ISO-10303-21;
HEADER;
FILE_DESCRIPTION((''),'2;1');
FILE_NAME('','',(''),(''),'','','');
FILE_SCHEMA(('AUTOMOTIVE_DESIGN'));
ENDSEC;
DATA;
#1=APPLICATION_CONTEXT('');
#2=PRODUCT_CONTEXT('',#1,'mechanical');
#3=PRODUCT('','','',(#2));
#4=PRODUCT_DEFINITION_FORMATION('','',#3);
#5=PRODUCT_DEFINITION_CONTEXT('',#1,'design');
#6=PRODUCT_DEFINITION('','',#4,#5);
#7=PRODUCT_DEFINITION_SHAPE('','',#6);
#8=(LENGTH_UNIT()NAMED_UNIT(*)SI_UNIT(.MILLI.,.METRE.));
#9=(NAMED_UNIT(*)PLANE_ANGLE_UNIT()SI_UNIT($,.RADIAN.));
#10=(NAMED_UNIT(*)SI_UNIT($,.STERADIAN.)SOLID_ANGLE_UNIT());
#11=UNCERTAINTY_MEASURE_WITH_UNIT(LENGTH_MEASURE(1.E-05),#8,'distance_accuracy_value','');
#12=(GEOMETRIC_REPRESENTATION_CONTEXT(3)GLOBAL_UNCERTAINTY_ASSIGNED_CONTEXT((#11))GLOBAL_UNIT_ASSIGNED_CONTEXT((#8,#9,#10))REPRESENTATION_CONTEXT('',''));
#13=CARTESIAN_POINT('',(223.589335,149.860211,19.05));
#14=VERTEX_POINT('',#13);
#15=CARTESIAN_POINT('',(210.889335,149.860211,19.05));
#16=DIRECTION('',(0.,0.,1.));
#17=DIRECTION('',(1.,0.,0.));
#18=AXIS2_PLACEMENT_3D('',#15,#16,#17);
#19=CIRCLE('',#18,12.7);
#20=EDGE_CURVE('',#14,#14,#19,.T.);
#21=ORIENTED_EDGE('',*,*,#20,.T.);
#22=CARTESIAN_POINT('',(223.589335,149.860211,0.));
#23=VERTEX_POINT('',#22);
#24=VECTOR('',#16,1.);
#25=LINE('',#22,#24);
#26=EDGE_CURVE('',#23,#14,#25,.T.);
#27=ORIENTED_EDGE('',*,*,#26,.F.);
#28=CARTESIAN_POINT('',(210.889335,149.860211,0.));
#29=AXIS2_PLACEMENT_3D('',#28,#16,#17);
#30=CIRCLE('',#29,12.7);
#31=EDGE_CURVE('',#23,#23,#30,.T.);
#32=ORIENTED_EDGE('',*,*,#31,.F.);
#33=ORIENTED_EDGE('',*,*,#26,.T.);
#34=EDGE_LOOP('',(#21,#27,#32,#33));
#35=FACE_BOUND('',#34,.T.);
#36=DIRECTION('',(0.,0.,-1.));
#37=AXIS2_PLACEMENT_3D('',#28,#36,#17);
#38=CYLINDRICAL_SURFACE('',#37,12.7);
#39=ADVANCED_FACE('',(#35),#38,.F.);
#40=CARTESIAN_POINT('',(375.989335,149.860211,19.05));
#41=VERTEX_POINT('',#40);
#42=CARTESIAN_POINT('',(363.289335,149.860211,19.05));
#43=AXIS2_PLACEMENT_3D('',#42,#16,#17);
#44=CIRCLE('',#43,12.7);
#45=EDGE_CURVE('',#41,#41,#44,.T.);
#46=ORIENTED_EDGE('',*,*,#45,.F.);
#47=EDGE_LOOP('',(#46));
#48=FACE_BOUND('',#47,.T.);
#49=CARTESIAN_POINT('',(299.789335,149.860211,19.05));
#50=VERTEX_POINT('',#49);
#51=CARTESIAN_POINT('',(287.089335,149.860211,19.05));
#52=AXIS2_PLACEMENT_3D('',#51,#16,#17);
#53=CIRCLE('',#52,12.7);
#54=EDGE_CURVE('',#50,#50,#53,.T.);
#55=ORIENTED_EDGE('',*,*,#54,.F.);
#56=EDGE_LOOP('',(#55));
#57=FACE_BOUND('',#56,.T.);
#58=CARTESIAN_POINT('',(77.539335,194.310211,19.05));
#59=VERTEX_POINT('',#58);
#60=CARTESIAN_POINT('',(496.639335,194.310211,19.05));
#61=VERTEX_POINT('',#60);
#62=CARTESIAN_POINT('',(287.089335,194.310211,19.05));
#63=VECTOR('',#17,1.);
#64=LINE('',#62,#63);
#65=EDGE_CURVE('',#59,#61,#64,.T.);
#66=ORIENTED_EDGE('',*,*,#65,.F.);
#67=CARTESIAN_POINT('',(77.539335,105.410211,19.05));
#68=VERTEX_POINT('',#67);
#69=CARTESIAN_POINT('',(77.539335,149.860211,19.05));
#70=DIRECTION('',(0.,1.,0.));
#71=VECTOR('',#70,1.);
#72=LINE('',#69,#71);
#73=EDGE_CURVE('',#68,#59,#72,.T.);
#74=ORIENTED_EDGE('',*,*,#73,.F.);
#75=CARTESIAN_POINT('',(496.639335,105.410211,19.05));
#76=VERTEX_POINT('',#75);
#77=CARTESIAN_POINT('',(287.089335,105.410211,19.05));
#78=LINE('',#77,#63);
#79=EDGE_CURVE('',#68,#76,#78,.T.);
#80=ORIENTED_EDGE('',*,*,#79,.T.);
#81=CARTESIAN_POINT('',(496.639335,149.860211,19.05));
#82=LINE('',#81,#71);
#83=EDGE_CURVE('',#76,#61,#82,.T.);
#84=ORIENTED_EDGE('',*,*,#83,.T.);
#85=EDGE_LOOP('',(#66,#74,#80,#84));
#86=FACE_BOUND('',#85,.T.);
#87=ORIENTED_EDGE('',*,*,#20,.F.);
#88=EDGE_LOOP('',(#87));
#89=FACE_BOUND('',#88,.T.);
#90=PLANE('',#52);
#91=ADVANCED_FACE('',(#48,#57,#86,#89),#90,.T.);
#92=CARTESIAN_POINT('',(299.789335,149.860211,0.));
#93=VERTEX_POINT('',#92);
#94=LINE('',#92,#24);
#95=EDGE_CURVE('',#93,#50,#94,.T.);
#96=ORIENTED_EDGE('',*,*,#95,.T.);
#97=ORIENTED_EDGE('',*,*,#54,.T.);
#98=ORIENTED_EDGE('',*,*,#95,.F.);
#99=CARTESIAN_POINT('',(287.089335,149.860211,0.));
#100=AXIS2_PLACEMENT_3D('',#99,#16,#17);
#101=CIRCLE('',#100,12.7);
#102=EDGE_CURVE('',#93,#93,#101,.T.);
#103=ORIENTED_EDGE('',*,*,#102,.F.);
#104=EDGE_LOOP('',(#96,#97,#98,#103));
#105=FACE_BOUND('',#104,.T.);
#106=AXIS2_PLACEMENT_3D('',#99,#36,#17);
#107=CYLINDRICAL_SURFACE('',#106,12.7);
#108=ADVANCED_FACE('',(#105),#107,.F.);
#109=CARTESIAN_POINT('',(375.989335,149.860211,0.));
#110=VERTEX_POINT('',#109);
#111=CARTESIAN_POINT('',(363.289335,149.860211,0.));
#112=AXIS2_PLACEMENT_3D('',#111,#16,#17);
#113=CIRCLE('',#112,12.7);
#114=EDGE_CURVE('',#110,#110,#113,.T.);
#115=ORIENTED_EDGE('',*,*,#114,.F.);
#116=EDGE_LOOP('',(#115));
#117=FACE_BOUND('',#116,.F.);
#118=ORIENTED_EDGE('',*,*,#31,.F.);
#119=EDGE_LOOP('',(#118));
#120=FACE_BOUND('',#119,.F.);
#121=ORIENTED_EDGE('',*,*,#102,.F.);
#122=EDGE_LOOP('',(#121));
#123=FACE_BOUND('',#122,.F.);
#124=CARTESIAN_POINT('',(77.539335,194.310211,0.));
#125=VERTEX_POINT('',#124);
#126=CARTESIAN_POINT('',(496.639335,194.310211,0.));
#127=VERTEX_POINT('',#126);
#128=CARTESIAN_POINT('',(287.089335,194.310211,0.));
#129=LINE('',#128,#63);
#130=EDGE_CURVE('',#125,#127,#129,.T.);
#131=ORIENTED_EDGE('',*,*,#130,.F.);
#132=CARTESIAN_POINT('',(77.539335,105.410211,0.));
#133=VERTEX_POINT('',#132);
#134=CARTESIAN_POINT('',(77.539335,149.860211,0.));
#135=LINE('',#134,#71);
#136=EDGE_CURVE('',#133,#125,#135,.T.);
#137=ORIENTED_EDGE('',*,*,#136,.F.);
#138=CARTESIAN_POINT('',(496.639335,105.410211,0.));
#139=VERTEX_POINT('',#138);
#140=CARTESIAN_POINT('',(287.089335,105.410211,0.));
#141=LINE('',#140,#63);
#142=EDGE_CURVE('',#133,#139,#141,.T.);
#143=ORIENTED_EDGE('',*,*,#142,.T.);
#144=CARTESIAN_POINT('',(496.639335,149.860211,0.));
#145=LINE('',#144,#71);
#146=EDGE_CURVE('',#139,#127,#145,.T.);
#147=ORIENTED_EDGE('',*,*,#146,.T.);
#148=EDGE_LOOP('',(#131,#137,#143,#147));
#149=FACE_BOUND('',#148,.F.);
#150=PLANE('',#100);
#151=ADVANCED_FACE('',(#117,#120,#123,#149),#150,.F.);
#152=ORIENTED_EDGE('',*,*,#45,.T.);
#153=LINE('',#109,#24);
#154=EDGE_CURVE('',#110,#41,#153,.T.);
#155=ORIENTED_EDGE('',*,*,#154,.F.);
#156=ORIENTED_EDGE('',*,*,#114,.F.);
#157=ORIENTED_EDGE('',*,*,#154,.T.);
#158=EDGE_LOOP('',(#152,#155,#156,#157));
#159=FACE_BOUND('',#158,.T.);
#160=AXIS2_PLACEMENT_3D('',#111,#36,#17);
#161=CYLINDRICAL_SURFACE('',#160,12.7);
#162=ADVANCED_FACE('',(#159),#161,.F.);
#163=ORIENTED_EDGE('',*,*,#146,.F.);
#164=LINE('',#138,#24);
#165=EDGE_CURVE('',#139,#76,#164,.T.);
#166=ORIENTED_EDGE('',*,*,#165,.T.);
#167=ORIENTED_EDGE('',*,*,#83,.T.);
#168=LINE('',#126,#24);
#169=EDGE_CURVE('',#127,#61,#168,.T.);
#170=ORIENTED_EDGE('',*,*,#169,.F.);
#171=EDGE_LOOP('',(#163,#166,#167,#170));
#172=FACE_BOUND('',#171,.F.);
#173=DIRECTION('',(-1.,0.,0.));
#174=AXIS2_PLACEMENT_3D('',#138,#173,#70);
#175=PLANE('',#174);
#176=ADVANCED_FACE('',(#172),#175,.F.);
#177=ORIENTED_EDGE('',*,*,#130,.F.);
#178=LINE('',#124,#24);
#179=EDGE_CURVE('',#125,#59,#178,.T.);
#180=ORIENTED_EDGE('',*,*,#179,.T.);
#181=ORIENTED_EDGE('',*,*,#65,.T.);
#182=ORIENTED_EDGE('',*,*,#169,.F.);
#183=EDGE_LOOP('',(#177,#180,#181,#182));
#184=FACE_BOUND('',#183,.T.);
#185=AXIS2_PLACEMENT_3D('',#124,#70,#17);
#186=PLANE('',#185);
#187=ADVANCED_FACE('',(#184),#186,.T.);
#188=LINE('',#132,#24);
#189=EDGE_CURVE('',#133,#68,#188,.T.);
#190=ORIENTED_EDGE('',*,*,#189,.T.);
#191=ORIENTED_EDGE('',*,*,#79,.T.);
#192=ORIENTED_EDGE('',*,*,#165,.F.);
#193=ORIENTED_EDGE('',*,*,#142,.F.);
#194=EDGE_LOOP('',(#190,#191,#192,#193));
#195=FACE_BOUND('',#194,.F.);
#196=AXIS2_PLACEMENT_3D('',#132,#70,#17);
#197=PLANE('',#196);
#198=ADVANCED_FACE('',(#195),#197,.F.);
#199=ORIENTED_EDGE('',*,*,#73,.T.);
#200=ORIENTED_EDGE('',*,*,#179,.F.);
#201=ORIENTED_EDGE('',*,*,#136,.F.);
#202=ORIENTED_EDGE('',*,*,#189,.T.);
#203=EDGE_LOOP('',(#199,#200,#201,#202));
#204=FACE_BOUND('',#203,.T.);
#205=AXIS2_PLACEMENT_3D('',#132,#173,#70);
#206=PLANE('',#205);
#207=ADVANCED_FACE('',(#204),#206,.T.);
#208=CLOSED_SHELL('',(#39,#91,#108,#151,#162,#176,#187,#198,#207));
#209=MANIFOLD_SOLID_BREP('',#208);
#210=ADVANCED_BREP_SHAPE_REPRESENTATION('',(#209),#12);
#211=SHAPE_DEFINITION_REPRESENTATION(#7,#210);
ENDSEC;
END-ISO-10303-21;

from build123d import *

# Parameters (mm, degrees)
F0_W     = 419.1
F0_H     = 88.9
F0_R     = 12.7
F1_DEPTH = 19.05


with BuildPart() as f1:
    # F0 (on Top) → F1 (new body)
    with BuildSketch(Plane.XY):
        with Locations((287.089335, 149.860211)):
            Rectangle(F0_W, F0_H)
        with Locations((210.889335, 149.860211)):
            Circle(F0_R, mode=Mode.SUBTRACT)
        with Locations((287.089335, 149.860211)):
            Circle(F0_R, mode=Mode.SUBTRACT)
        with Locations((363.289335, 149.860211)):
            Circle(F0_R, mode=Mode.SUBTRACT)
    extrude(amount=F1_DEPTH)


solid = f1.part
